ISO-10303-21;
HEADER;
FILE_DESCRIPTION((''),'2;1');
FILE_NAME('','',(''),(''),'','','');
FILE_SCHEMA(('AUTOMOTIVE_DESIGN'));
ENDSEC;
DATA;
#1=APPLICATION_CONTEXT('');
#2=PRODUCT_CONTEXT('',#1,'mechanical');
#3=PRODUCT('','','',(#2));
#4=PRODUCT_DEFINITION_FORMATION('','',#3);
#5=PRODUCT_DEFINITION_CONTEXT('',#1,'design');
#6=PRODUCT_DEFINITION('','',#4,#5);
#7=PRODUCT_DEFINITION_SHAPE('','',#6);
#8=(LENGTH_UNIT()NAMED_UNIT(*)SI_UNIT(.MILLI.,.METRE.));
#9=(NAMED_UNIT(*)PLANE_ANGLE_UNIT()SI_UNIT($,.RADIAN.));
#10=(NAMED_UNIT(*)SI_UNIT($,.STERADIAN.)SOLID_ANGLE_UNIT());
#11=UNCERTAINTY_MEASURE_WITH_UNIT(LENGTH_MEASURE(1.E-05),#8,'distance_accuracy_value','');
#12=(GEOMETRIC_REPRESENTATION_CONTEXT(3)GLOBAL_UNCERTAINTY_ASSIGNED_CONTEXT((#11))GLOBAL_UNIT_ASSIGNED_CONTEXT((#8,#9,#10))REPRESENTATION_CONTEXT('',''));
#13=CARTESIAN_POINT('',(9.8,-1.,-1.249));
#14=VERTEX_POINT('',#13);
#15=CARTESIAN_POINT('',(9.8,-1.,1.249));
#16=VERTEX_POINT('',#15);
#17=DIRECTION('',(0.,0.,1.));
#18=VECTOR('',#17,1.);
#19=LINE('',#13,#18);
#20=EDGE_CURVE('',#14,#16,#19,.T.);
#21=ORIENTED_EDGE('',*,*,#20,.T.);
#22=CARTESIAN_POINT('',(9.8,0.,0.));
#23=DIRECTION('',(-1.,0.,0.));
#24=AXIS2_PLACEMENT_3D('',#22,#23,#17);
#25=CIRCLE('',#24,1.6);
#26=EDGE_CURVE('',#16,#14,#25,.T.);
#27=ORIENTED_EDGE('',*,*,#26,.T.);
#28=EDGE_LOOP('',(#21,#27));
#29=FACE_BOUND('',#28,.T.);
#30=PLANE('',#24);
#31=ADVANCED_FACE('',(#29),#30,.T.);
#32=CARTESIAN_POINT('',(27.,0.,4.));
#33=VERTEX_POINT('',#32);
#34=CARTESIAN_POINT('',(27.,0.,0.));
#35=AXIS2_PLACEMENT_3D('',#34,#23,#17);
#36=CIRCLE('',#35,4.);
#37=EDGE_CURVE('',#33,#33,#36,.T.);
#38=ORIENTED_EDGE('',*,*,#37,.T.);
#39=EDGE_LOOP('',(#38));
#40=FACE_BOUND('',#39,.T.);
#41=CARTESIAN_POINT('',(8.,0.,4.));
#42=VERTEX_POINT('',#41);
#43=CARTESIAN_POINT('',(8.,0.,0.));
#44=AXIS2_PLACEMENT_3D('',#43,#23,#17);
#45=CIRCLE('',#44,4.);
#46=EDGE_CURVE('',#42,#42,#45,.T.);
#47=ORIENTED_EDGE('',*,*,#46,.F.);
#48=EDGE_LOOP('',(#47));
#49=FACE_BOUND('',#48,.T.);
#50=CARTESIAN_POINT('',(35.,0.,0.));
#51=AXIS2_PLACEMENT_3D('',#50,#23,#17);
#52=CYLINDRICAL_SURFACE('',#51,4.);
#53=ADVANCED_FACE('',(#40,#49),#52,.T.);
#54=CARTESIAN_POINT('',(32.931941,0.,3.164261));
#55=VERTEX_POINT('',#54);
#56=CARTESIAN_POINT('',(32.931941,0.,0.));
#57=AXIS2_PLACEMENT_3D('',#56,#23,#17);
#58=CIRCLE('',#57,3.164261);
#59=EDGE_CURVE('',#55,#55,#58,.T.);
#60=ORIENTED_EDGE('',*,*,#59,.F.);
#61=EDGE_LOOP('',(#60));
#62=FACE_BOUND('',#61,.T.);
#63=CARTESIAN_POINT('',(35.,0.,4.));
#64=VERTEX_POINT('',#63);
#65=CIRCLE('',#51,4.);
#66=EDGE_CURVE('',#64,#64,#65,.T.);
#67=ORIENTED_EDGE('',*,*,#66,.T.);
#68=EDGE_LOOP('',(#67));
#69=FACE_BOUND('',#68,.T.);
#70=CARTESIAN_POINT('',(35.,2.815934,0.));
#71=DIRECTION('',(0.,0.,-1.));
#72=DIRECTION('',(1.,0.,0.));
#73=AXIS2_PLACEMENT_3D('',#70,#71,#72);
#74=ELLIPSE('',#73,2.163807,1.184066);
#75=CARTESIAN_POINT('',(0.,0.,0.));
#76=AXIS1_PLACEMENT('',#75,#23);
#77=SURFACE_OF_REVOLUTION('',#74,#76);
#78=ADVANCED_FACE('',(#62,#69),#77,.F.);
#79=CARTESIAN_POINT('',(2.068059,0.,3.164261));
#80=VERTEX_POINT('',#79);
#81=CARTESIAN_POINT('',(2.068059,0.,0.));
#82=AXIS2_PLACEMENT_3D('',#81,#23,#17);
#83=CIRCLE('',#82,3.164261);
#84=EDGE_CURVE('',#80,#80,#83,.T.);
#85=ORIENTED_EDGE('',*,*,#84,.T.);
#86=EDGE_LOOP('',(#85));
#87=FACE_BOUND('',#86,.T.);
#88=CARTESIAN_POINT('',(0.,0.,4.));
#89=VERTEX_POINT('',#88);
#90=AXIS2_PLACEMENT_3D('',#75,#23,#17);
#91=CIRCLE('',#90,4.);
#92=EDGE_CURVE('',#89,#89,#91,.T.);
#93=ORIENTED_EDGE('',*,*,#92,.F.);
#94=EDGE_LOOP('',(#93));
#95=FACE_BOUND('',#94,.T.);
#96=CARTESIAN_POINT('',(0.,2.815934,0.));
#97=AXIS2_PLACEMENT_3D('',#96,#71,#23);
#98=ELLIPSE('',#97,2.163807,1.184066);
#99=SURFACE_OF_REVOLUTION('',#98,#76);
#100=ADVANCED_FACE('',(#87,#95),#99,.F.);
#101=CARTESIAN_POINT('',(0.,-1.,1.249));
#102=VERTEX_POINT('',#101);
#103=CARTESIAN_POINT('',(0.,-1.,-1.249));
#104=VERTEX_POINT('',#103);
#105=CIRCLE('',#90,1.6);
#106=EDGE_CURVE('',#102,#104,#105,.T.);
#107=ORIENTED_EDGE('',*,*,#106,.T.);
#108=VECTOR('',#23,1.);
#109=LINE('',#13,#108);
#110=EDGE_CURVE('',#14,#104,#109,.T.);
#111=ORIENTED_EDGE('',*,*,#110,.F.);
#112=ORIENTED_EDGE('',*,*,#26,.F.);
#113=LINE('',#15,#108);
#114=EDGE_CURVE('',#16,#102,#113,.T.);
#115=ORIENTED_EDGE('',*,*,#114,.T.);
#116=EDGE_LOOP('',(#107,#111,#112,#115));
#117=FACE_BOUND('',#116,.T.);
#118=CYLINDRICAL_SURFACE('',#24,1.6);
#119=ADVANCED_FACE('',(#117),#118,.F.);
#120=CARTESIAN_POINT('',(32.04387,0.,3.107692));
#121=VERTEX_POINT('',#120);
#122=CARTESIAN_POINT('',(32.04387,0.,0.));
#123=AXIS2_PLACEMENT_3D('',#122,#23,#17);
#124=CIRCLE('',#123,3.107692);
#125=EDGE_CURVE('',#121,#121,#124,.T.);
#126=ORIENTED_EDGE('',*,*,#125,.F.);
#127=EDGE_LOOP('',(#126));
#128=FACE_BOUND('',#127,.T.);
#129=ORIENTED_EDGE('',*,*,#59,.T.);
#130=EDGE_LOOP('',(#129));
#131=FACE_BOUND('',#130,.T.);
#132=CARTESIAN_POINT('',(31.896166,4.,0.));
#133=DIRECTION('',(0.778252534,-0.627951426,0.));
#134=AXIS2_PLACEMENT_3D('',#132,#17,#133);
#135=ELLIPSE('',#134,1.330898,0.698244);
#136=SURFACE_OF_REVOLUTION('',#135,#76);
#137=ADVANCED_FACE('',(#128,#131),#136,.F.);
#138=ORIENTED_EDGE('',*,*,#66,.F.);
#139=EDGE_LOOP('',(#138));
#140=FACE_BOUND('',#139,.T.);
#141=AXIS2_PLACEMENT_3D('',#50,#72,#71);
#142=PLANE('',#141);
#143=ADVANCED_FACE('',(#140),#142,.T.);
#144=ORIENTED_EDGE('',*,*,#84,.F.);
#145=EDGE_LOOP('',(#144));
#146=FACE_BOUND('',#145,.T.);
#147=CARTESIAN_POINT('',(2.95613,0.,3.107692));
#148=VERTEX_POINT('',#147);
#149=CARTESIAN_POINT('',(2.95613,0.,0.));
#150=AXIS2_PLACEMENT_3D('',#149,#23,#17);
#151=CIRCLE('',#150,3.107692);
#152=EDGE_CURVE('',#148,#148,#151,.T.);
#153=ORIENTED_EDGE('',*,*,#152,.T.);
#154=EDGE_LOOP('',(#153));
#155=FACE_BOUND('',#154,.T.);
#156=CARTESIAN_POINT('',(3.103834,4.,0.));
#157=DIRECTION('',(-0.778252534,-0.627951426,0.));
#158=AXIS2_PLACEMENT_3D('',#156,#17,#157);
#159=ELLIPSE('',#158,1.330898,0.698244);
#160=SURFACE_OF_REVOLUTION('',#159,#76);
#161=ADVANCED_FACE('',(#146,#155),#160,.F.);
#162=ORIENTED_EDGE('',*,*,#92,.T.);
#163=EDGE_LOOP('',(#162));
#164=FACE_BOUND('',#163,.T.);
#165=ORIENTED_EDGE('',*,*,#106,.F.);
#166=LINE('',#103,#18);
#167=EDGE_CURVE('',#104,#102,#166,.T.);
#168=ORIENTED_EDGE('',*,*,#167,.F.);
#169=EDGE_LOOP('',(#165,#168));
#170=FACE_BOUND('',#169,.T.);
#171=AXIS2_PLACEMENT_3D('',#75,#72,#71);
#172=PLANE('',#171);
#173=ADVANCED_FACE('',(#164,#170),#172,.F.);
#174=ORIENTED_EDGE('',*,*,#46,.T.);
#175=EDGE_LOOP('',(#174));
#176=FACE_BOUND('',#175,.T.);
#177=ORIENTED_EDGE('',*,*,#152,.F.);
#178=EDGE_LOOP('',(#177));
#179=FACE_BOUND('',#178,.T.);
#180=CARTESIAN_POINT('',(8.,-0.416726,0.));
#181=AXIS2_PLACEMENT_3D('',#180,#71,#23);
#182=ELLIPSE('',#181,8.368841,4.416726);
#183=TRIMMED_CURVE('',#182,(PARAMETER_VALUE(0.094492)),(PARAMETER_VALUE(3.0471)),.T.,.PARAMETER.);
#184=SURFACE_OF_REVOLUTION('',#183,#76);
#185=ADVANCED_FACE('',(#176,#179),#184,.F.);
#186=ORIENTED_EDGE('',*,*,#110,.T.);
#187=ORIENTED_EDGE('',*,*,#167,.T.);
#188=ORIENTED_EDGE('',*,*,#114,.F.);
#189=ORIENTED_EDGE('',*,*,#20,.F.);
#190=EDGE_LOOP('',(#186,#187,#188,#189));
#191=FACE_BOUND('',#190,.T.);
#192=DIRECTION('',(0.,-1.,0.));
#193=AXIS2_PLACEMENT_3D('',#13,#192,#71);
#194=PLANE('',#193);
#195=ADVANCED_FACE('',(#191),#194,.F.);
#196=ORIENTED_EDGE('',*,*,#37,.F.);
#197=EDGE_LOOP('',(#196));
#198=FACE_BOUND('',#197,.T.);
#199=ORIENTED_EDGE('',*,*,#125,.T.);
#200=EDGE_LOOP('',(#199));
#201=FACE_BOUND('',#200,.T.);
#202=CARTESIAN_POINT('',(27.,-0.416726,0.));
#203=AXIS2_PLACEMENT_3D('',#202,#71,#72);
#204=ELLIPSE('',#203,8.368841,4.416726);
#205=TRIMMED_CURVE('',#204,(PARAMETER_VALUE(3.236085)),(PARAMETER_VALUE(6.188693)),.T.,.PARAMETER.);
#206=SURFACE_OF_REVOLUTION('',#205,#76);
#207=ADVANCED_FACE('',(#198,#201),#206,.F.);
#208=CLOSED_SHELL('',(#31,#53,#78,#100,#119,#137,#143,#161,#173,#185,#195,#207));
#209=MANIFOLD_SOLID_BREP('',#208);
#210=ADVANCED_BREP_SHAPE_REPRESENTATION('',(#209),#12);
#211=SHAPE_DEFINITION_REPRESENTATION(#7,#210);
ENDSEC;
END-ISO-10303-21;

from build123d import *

# Parameters (mm, degrees)
SKETCH2_R           = 4
BOSS_EXTRUDE1_DEPTH = 35
CUT_EXTRUDE1_DEPTH  = 9.8


with BuildPart() as part:
    # Sketch2 → Boss-Extrude1 (new body)
    with BuildSketch(Plane(origin=(0, 0, 0), x_dir=(0, 0, -1), z_dir=(1, 0, 0))):
        Circle(SKETCH2_R)
    extrude(amount=BOSS_EXTRUDE1_DEPTH)

    # Sketch3 → Cut-Extrude1 (cut)
    with BuildSketch(Plane.ZY):
        with BuildLine():
            Line((-1.2489996, -1), (1.2489996, -1))
            ThreePointArc((1.2489996, -1), (0, 1.6), (-1.2489996, -1))
        make_face()
    extrude(amount=-CUT_EXTRUDE1_DEPTH, mode=Mode.SUBTRACT)

    # Sketch4 → Cut-Revolve1 (revolve, cut)
    with BuildSketch(Plane.XY):
        with BuildLine():
            Line((0, 4), (8, 4))
            add(Edge.make_bspline(
                [(8, 4), (5.194687526, 4), (2.956130498, 3.107691813)],
                knots=[4.71238898, 4.71238898, 4.71238898, 5.359264748, 5.359264748, 5.359264748], degree=2, weights=[1, 0.948148367, 1]))
            add(Edge.make_bspline(
                [(2.068059433, 3.164260662), (2.318713674, 2.853611956), (2.956130498, 3.107691813)],
                knots=[0, 0, 0, 1.038649512, 1.038649512, 1.038649512], degree=2, weights=[1, 0.868154497, 1]))
            add(Edge.make_bspline(
                [(2.068059433, 3.164260662), (1.597970656, 4), (0, 4)],
                knots=[3.440188633, 3.440188633, 3.440188633, 4.71238898, 4.71238898, 4.71238898], degree=2, weights=[1, 0.804418611, 1]))
        make_face()
        with BuildLine():
            Line((27, 4), (35, 4))
            add(Edge.make_bspline(
                [(35, 4), (33.402029344, 4), (32.931940567, 3.164260662)],
                knots=[1.570796327, 1.570796327, 1.570796327, 2.842996674, 2.842996674, 2.842996674], degree=2, weights=[1, 0.804418611, 1]))
            add(Edge.make_bspline(
                [(32.043869502, 3.107691813), (32.681286326, 2.853611956), (32.931940567, 3.164260662)],
                knots=[2.102943141, 2.102943141, 2.102943141, 3.141592654, 3.141592654, 3.141592654], degree=2, weights=[1, 0.868154497, 1]))
            add(Edge.make_bspline(
                [(32.043869502, 3.107691813), (29.805312474, 4), (27, 4)],
                knots=[4.065513213, 4.065513213, 4.065513213, 4.71238898, 4.71238898, 4.71238898], degree=2, weights=[1, 0.948148367, 1]))
        make_face()
    revolve(axis=Axis((0, 0, 0), (1, 0, 0)), mode=Mode.SUBTRACT)


solid = part.part
